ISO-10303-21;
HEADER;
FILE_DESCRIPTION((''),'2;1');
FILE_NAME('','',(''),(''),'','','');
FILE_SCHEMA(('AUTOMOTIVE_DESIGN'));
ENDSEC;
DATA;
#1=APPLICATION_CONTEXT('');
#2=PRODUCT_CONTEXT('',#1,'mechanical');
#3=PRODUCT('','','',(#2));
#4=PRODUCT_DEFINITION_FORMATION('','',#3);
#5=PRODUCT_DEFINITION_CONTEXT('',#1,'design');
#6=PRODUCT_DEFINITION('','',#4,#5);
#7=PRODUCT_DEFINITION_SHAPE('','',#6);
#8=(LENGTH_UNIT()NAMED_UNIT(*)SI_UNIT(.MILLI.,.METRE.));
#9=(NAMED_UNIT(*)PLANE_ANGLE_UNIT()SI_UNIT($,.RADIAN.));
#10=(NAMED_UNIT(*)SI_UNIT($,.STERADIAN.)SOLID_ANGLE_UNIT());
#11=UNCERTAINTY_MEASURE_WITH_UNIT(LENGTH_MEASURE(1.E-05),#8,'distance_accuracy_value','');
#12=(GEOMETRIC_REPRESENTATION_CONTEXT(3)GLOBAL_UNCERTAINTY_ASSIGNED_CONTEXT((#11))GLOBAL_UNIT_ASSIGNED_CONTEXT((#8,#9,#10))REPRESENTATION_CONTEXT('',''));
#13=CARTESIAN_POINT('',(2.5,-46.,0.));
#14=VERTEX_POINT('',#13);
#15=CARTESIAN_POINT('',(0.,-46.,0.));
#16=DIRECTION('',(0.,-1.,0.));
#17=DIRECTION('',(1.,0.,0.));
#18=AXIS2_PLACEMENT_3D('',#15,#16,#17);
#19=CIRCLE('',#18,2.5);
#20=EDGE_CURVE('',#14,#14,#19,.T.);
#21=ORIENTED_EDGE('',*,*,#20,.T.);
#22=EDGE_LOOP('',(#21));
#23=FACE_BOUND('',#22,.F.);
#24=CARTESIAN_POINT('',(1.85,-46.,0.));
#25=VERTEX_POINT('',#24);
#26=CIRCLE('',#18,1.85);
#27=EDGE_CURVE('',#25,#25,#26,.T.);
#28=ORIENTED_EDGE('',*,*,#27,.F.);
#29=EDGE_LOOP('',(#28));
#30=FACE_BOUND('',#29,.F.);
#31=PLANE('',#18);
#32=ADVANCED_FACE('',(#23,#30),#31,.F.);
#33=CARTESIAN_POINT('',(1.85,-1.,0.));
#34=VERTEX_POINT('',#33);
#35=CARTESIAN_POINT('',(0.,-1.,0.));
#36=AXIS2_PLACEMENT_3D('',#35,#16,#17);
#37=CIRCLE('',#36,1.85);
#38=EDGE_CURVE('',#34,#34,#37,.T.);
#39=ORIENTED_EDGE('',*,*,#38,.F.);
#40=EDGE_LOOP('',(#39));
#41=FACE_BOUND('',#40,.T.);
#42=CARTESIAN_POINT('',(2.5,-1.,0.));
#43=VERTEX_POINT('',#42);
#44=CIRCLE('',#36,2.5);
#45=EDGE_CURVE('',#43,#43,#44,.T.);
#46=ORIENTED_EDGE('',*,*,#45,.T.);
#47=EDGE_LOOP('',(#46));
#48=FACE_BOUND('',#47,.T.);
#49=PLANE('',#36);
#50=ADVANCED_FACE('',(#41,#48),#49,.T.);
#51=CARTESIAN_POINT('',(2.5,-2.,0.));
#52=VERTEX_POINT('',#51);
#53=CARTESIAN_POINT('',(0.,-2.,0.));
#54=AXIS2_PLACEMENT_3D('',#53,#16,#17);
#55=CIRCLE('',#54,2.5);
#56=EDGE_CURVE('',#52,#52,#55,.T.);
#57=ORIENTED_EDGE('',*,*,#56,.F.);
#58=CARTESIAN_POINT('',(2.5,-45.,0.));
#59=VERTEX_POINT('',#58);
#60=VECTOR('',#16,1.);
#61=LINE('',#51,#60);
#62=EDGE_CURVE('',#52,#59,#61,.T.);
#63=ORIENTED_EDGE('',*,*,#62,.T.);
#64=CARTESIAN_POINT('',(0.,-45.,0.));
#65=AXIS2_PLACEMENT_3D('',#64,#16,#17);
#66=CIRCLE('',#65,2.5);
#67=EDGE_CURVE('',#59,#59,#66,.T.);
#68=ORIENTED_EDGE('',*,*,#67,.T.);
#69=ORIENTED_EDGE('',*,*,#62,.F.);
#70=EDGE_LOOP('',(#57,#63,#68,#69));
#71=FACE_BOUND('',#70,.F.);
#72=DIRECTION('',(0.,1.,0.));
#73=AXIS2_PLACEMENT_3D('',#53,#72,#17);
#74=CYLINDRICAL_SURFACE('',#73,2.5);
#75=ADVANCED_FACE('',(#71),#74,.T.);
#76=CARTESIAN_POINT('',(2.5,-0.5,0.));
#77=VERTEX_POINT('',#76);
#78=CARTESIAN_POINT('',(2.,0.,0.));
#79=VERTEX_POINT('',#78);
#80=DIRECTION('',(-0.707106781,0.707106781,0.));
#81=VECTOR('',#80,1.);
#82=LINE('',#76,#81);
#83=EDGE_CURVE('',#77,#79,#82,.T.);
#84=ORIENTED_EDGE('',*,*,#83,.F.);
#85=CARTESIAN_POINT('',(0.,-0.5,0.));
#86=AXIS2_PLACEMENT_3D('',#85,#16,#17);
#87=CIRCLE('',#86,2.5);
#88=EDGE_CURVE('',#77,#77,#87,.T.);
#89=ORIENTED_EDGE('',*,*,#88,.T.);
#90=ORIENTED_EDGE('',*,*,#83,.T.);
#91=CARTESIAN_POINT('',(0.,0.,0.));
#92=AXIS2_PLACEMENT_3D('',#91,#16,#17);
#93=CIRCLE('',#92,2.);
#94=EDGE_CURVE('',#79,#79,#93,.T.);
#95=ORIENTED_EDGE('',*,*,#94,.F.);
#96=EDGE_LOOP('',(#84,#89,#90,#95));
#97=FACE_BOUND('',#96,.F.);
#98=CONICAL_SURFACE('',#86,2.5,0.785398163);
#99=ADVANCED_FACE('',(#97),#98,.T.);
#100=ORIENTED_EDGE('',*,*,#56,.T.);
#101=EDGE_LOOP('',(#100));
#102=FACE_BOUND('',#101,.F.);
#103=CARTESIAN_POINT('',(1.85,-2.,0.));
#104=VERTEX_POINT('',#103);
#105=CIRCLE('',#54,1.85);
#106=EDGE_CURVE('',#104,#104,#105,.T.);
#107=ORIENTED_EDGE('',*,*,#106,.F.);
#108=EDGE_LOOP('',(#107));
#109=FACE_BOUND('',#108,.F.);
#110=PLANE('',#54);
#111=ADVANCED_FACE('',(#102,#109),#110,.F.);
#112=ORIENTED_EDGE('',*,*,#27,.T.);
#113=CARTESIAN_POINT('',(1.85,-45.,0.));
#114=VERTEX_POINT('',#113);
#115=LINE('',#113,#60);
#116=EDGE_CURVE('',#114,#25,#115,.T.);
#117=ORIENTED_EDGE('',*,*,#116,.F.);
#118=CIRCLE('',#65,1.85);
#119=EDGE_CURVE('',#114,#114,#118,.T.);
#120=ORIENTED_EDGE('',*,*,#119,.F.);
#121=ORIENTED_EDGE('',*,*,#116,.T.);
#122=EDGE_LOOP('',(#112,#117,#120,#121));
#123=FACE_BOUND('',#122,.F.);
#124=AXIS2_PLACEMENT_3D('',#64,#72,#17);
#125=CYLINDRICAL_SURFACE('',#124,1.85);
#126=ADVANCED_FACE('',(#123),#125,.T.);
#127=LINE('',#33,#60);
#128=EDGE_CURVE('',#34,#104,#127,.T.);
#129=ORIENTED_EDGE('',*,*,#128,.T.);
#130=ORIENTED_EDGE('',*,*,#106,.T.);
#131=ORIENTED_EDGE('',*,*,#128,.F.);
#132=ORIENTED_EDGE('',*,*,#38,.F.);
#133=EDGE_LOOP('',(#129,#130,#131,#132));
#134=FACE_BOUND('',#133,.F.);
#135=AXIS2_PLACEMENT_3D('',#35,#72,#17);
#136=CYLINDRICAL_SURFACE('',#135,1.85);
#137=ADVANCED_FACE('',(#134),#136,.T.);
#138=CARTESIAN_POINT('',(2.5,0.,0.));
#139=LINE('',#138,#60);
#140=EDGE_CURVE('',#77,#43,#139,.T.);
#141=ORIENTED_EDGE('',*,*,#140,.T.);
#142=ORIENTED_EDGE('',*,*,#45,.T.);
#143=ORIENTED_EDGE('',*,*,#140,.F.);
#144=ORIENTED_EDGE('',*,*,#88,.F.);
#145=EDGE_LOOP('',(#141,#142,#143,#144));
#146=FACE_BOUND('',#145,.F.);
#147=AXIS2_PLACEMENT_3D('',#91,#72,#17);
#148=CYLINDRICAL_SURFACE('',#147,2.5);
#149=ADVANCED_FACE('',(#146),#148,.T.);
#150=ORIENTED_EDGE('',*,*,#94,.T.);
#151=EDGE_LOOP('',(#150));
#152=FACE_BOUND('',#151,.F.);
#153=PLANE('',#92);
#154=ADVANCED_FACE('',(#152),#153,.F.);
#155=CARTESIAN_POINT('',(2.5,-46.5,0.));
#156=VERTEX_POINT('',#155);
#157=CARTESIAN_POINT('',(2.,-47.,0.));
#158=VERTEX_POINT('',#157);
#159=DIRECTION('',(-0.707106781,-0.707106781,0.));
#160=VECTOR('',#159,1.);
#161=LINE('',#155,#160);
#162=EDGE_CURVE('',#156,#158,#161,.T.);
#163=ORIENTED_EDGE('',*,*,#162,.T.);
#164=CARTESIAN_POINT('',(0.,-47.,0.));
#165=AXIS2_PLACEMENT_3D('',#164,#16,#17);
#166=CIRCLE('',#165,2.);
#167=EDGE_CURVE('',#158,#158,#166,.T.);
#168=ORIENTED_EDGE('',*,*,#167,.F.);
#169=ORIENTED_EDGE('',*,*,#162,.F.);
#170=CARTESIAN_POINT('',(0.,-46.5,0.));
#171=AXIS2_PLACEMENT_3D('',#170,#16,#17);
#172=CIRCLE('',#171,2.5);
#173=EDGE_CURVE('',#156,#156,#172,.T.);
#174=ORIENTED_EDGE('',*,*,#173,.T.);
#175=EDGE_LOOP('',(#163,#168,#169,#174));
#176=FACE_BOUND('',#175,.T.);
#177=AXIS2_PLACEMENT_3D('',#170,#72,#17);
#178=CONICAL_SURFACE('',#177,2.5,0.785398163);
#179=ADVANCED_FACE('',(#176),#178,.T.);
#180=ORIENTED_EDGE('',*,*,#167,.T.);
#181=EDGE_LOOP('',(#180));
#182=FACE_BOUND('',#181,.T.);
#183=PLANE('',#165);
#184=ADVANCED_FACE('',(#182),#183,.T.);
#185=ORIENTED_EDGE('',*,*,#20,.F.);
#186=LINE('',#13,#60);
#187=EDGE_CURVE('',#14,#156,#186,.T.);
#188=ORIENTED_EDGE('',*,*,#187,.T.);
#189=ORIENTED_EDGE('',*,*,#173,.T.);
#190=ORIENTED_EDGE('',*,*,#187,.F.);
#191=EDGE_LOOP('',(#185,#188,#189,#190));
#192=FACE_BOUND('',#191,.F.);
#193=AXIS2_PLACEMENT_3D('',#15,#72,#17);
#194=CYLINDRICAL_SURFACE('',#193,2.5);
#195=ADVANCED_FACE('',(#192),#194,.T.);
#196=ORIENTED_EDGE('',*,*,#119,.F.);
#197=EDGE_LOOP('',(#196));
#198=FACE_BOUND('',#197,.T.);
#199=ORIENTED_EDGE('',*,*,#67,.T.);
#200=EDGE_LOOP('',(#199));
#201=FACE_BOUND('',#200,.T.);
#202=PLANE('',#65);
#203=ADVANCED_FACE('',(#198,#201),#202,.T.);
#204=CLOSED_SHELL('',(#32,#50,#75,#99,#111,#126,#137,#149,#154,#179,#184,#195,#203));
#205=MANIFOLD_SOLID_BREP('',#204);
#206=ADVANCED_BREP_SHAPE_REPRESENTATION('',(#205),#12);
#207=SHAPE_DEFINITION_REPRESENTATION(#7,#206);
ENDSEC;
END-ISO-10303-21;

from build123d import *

# Parameters (mm, degrees)
F0_R     = 2.5
F1_DEPTH = 1
F2_R     = 1.85
F3_DEPTH = 1
F4_R     = 2.5
F4_R_2   = 1.85
F5_DEPTH = 43
F6_R     = 1.85
F7_DEPTH = 1
F8_R     = 2.5
F8_R_2   = 1.85
F9_DEPTH = 1
F10_SIZE = 0.5


with BuildPart() as f1:
    # F0 (on Front) → F1 (new body)
    with BuildSketch(Plane.XZ):
        Circle(F0_R)
    extrude(amount=F1_DEPTH)

    # F2 (on face) → F3 (join)
    with BuildSketch(Plane.XZ.offset(1)):
        Circle(F2_R)
    extrude(amount=F3_DEPTH)

    # F4 (on face) → F5 (join)
    with BuildSketch(Plane.XZ.offset(2)):
        Circle(F4_R)
        Circle(F4_R_2, mode=Mode.SUBTRACT)
        Circle(F4_R_2)
    extrude(amount=F5_DEPTH)

    # F6 (on face) → F7 (join)
    with BuildSketch(Plane.XZ.offset(45)):
        Circle(F6_R)
    extrude(amount=F7_DEPTH)

    # F8 (on face) → F9 (join)
    with BuildSketch(Plane.XZ.offset(46)):
        Circle(F8_R)
        Circle(F8_R_2, mode=Mode.SUBTRACT)
        Circle(F8_R_2)
    extrude(amount=F9_DEPTH)

    # F10
    f10_edges = [f1.edges().sort_by_distance(p)[0] for p in [
        (-2.5, -47, 0),
        (-2.5, 0, 0),
    ]]
    chamfer(f10_edges, length=F10_SIZE)


solid = f1.part
